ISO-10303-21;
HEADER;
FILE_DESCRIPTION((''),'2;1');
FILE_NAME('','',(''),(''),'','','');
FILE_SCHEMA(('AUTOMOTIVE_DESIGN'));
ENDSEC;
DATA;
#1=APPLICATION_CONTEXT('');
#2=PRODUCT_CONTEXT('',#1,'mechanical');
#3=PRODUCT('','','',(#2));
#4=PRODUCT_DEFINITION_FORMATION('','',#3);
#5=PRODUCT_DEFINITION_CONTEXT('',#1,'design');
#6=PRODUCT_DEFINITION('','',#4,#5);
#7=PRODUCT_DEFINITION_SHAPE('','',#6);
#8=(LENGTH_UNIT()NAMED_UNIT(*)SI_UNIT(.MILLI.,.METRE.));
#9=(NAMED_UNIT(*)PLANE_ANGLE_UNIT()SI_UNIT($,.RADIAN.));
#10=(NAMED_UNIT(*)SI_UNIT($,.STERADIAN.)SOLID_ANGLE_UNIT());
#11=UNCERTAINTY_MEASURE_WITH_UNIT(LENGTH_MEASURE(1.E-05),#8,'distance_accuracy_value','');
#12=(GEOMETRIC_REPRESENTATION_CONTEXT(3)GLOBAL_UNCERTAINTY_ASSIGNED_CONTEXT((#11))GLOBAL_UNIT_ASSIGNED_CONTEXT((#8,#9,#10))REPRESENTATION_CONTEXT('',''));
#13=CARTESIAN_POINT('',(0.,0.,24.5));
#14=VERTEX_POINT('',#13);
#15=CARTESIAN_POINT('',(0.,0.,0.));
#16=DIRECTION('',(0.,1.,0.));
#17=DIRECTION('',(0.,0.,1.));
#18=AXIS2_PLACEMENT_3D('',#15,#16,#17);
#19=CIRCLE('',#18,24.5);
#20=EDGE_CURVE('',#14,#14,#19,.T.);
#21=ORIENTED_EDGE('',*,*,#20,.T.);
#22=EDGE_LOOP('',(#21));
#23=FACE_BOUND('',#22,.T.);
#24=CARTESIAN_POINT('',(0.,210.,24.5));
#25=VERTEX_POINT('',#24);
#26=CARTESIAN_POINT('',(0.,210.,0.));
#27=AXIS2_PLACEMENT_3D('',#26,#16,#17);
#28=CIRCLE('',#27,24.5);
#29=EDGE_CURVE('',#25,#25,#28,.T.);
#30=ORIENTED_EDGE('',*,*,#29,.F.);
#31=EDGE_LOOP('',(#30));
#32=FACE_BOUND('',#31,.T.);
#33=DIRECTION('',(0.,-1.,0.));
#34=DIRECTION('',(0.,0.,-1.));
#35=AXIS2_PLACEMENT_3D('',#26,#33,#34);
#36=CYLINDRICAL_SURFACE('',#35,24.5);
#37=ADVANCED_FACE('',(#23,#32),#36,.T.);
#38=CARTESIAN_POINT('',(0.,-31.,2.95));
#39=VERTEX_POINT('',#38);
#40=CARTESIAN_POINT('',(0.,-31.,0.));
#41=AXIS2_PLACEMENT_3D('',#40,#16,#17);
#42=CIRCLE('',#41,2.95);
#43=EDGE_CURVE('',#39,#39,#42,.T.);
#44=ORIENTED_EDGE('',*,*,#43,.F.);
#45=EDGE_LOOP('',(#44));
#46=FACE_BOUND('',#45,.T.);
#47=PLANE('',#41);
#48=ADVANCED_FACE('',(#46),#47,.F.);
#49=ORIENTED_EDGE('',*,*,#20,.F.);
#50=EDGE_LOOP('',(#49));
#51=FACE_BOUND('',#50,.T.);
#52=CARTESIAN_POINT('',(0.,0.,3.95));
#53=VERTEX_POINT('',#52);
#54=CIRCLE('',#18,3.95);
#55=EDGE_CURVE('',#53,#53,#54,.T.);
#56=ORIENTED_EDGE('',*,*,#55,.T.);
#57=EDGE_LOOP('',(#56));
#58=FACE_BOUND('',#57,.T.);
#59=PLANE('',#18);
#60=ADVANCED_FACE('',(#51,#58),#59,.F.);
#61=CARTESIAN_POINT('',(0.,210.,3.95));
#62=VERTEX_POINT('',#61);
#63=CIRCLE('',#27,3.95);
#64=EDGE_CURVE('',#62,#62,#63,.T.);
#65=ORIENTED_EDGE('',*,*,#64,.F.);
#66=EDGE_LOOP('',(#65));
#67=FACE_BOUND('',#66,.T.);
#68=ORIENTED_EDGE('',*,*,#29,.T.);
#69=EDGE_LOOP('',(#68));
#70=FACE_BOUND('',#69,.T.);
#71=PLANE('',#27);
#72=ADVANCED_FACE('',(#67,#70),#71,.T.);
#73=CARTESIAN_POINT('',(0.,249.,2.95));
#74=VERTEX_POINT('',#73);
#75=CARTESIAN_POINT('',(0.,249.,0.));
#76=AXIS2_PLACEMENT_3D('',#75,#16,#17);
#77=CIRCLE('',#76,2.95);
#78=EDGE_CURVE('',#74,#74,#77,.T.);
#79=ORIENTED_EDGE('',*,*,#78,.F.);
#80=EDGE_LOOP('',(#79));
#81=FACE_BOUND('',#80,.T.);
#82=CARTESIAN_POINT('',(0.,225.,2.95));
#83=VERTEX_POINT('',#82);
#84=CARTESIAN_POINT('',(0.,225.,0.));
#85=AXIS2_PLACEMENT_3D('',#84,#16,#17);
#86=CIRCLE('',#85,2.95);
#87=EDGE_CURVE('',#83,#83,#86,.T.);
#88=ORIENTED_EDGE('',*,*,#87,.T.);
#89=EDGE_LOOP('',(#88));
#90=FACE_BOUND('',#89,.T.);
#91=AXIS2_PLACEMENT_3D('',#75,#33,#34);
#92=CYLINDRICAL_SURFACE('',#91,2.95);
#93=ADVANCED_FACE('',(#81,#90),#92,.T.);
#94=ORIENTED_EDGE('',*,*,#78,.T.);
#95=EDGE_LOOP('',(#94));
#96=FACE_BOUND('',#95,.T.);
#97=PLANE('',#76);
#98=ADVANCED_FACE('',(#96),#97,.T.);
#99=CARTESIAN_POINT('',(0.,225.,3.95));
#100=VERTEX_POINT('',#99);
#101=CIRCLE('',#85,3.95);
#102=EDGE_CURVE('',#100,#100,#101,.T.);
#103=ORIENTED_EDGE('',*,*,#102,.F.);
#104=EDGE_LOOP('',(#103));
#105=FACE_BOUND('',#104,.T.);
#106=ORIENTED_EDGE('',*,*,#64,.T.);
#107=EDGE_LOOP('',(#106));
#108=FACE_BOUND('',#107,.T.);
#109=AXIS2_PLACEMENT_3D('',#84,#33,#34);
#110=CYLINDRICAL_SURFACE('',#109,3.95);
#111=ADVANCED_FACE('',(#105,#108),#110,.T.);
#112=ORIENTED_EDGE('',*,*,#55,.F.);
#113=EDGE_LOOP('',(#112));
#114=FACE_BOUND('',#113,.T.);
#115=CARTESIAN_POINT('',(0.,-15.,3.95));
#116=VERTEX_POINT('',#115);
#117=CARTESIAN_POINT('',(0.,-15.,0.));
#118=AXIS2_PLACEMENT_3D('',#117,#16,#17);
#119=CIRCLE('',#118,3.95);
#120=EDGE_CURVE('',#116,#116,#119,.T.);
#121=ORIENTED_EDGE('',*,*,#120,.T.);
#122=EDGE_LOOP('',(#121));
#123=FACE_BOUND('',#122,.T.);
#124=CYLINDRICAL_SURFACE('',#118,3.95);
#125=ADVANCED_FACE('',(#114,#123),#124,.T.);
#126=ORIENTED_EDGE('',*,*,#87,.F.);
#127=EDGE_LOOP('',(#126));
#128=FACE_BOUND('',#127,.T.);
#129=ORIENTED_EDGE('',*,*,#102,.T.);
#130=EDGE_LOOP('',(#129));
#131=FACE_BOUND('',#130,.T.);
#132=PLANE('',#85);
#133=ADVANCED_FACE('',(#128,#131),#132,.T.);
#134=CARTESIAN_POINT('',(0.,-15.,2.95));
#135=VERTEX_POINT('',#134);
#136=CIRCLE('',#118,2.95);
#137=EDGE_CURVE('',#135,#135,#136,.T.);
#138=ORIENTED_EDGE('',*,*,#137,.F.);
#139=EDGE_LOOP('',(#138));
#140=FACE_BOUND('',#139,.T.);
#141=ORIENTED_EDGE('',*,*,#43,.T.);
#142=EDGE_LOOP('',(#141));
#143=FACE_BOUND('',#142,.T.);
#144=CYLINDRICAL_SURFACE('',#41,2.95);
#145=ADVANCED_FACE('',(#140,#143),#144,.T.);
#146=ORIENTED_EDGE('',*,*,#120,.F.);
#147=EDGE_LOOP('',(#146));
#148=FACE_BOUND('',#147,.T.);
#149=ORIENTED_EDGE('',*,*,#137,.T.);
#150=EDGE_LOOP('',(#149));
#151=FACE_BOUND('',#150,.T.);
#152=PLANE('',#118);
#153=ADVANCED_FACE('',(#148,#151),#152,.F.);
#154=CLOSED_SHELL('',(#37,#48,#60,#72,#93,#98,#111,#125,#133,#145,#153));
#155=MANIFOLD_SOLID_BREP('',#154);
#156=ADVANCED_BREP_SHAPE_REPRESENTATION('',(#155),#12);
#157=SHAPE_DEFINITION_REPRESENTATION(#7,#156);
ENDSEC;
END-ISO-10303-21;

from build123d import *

# Parameters (mm, degrees)
SKETCH1_R            = 24.5
BOSS_EXTRUDE8_DEPTH  = 210
SKETCH1_9_R          = 3.95
BOSS_EXTRUDE9_DEPTH  = 15
BOSS_EXTRUDE10_START = -15
SKETCH1_10_R         = 2.95
BOSS_EXTRUDE10_DEPTH = 16
BOSS_EXTRUDE11_START = 225
SKETCH1_11_R         = 3.95
BOSS_EXTRUDE11_DEPTH = 15
BOSS_EXTRUDE12_START = 24
SKETCH2_R            = 2.95
BOSS_EXTRUDE12_DEPTH = 24


with BuildPart() as part:
    # Sketch1 → Boss-Extrude8 (new body)
    with BuildSketch(Plane(origin=(0, 0, 0), x_dir=(1, 0, 0), z_dir=(0, 1, 0))):
        with Locations(Location((0, 0, 0), (0, 0, 270))):
            Circle(SKETCH1_R)
    extrude(amount=BOSS_EXTRUDE8_DEPTH)

    # Sketch1<9> → Boss-Extrude9 (add)
    with BuildSketch(Plane(origin=(0, 0, 0), x_dir=(1, 0, 0), z_dir=(0, 1, 0))):
        with Locations(Location((0, 0, 0), (0, 0, 270))):
            Circle(SKETCH1_9_R)
    extrude(amount=-BOSS_EXTRUDE9_DEPTH)

    # Sketch1<10> → Boss-Extrude10 (add)
    with BuildSketch(Plane(origin=(0, 0, 0), x_dir=(1, 0, 0), z_dir=(0, 1, 0)).offset(BOSS_EXTRUDE10_START)):
        with Locations(Location((0, 0, 0), (0, 0, 270))):
            Circle(SKETCH1_10_R)
    extrude(amount=-BOSS_EXTRUDE10_DEPTH)

    # Sketch1<11> → Boss-Extrude11 (add)
    with BuildSketch(Plane(origin=(0, 0, 0), x_dir=(1, 0, 0), z_dir=(0, 1, 0)).offset(BOSS_EXTRUDE11_START)):
        with Locations(Location((0, 0, 0), (0, 0, 270))):
            Circle(SKETCH1_11_R)
    extrude(amount=-BOSS_EXTRUDE11_DEPTH)

    # Sketch2 → Boss-Extrude12 (add)
    with BuildSketch(Plane(origin=(0, 225, 0), x_dir=(1, 0, 0), z_dir=(0, 1, 0)).offset(BOSS_EXTRUDE12_START)):
        with Locations(Location((0, 0, 0), (0, 0, 270))):
            Circle(SKETCH2_R)
    extrude(amount=-BOSS_EXTRUDE12_DEPTH)


solid = part.part
